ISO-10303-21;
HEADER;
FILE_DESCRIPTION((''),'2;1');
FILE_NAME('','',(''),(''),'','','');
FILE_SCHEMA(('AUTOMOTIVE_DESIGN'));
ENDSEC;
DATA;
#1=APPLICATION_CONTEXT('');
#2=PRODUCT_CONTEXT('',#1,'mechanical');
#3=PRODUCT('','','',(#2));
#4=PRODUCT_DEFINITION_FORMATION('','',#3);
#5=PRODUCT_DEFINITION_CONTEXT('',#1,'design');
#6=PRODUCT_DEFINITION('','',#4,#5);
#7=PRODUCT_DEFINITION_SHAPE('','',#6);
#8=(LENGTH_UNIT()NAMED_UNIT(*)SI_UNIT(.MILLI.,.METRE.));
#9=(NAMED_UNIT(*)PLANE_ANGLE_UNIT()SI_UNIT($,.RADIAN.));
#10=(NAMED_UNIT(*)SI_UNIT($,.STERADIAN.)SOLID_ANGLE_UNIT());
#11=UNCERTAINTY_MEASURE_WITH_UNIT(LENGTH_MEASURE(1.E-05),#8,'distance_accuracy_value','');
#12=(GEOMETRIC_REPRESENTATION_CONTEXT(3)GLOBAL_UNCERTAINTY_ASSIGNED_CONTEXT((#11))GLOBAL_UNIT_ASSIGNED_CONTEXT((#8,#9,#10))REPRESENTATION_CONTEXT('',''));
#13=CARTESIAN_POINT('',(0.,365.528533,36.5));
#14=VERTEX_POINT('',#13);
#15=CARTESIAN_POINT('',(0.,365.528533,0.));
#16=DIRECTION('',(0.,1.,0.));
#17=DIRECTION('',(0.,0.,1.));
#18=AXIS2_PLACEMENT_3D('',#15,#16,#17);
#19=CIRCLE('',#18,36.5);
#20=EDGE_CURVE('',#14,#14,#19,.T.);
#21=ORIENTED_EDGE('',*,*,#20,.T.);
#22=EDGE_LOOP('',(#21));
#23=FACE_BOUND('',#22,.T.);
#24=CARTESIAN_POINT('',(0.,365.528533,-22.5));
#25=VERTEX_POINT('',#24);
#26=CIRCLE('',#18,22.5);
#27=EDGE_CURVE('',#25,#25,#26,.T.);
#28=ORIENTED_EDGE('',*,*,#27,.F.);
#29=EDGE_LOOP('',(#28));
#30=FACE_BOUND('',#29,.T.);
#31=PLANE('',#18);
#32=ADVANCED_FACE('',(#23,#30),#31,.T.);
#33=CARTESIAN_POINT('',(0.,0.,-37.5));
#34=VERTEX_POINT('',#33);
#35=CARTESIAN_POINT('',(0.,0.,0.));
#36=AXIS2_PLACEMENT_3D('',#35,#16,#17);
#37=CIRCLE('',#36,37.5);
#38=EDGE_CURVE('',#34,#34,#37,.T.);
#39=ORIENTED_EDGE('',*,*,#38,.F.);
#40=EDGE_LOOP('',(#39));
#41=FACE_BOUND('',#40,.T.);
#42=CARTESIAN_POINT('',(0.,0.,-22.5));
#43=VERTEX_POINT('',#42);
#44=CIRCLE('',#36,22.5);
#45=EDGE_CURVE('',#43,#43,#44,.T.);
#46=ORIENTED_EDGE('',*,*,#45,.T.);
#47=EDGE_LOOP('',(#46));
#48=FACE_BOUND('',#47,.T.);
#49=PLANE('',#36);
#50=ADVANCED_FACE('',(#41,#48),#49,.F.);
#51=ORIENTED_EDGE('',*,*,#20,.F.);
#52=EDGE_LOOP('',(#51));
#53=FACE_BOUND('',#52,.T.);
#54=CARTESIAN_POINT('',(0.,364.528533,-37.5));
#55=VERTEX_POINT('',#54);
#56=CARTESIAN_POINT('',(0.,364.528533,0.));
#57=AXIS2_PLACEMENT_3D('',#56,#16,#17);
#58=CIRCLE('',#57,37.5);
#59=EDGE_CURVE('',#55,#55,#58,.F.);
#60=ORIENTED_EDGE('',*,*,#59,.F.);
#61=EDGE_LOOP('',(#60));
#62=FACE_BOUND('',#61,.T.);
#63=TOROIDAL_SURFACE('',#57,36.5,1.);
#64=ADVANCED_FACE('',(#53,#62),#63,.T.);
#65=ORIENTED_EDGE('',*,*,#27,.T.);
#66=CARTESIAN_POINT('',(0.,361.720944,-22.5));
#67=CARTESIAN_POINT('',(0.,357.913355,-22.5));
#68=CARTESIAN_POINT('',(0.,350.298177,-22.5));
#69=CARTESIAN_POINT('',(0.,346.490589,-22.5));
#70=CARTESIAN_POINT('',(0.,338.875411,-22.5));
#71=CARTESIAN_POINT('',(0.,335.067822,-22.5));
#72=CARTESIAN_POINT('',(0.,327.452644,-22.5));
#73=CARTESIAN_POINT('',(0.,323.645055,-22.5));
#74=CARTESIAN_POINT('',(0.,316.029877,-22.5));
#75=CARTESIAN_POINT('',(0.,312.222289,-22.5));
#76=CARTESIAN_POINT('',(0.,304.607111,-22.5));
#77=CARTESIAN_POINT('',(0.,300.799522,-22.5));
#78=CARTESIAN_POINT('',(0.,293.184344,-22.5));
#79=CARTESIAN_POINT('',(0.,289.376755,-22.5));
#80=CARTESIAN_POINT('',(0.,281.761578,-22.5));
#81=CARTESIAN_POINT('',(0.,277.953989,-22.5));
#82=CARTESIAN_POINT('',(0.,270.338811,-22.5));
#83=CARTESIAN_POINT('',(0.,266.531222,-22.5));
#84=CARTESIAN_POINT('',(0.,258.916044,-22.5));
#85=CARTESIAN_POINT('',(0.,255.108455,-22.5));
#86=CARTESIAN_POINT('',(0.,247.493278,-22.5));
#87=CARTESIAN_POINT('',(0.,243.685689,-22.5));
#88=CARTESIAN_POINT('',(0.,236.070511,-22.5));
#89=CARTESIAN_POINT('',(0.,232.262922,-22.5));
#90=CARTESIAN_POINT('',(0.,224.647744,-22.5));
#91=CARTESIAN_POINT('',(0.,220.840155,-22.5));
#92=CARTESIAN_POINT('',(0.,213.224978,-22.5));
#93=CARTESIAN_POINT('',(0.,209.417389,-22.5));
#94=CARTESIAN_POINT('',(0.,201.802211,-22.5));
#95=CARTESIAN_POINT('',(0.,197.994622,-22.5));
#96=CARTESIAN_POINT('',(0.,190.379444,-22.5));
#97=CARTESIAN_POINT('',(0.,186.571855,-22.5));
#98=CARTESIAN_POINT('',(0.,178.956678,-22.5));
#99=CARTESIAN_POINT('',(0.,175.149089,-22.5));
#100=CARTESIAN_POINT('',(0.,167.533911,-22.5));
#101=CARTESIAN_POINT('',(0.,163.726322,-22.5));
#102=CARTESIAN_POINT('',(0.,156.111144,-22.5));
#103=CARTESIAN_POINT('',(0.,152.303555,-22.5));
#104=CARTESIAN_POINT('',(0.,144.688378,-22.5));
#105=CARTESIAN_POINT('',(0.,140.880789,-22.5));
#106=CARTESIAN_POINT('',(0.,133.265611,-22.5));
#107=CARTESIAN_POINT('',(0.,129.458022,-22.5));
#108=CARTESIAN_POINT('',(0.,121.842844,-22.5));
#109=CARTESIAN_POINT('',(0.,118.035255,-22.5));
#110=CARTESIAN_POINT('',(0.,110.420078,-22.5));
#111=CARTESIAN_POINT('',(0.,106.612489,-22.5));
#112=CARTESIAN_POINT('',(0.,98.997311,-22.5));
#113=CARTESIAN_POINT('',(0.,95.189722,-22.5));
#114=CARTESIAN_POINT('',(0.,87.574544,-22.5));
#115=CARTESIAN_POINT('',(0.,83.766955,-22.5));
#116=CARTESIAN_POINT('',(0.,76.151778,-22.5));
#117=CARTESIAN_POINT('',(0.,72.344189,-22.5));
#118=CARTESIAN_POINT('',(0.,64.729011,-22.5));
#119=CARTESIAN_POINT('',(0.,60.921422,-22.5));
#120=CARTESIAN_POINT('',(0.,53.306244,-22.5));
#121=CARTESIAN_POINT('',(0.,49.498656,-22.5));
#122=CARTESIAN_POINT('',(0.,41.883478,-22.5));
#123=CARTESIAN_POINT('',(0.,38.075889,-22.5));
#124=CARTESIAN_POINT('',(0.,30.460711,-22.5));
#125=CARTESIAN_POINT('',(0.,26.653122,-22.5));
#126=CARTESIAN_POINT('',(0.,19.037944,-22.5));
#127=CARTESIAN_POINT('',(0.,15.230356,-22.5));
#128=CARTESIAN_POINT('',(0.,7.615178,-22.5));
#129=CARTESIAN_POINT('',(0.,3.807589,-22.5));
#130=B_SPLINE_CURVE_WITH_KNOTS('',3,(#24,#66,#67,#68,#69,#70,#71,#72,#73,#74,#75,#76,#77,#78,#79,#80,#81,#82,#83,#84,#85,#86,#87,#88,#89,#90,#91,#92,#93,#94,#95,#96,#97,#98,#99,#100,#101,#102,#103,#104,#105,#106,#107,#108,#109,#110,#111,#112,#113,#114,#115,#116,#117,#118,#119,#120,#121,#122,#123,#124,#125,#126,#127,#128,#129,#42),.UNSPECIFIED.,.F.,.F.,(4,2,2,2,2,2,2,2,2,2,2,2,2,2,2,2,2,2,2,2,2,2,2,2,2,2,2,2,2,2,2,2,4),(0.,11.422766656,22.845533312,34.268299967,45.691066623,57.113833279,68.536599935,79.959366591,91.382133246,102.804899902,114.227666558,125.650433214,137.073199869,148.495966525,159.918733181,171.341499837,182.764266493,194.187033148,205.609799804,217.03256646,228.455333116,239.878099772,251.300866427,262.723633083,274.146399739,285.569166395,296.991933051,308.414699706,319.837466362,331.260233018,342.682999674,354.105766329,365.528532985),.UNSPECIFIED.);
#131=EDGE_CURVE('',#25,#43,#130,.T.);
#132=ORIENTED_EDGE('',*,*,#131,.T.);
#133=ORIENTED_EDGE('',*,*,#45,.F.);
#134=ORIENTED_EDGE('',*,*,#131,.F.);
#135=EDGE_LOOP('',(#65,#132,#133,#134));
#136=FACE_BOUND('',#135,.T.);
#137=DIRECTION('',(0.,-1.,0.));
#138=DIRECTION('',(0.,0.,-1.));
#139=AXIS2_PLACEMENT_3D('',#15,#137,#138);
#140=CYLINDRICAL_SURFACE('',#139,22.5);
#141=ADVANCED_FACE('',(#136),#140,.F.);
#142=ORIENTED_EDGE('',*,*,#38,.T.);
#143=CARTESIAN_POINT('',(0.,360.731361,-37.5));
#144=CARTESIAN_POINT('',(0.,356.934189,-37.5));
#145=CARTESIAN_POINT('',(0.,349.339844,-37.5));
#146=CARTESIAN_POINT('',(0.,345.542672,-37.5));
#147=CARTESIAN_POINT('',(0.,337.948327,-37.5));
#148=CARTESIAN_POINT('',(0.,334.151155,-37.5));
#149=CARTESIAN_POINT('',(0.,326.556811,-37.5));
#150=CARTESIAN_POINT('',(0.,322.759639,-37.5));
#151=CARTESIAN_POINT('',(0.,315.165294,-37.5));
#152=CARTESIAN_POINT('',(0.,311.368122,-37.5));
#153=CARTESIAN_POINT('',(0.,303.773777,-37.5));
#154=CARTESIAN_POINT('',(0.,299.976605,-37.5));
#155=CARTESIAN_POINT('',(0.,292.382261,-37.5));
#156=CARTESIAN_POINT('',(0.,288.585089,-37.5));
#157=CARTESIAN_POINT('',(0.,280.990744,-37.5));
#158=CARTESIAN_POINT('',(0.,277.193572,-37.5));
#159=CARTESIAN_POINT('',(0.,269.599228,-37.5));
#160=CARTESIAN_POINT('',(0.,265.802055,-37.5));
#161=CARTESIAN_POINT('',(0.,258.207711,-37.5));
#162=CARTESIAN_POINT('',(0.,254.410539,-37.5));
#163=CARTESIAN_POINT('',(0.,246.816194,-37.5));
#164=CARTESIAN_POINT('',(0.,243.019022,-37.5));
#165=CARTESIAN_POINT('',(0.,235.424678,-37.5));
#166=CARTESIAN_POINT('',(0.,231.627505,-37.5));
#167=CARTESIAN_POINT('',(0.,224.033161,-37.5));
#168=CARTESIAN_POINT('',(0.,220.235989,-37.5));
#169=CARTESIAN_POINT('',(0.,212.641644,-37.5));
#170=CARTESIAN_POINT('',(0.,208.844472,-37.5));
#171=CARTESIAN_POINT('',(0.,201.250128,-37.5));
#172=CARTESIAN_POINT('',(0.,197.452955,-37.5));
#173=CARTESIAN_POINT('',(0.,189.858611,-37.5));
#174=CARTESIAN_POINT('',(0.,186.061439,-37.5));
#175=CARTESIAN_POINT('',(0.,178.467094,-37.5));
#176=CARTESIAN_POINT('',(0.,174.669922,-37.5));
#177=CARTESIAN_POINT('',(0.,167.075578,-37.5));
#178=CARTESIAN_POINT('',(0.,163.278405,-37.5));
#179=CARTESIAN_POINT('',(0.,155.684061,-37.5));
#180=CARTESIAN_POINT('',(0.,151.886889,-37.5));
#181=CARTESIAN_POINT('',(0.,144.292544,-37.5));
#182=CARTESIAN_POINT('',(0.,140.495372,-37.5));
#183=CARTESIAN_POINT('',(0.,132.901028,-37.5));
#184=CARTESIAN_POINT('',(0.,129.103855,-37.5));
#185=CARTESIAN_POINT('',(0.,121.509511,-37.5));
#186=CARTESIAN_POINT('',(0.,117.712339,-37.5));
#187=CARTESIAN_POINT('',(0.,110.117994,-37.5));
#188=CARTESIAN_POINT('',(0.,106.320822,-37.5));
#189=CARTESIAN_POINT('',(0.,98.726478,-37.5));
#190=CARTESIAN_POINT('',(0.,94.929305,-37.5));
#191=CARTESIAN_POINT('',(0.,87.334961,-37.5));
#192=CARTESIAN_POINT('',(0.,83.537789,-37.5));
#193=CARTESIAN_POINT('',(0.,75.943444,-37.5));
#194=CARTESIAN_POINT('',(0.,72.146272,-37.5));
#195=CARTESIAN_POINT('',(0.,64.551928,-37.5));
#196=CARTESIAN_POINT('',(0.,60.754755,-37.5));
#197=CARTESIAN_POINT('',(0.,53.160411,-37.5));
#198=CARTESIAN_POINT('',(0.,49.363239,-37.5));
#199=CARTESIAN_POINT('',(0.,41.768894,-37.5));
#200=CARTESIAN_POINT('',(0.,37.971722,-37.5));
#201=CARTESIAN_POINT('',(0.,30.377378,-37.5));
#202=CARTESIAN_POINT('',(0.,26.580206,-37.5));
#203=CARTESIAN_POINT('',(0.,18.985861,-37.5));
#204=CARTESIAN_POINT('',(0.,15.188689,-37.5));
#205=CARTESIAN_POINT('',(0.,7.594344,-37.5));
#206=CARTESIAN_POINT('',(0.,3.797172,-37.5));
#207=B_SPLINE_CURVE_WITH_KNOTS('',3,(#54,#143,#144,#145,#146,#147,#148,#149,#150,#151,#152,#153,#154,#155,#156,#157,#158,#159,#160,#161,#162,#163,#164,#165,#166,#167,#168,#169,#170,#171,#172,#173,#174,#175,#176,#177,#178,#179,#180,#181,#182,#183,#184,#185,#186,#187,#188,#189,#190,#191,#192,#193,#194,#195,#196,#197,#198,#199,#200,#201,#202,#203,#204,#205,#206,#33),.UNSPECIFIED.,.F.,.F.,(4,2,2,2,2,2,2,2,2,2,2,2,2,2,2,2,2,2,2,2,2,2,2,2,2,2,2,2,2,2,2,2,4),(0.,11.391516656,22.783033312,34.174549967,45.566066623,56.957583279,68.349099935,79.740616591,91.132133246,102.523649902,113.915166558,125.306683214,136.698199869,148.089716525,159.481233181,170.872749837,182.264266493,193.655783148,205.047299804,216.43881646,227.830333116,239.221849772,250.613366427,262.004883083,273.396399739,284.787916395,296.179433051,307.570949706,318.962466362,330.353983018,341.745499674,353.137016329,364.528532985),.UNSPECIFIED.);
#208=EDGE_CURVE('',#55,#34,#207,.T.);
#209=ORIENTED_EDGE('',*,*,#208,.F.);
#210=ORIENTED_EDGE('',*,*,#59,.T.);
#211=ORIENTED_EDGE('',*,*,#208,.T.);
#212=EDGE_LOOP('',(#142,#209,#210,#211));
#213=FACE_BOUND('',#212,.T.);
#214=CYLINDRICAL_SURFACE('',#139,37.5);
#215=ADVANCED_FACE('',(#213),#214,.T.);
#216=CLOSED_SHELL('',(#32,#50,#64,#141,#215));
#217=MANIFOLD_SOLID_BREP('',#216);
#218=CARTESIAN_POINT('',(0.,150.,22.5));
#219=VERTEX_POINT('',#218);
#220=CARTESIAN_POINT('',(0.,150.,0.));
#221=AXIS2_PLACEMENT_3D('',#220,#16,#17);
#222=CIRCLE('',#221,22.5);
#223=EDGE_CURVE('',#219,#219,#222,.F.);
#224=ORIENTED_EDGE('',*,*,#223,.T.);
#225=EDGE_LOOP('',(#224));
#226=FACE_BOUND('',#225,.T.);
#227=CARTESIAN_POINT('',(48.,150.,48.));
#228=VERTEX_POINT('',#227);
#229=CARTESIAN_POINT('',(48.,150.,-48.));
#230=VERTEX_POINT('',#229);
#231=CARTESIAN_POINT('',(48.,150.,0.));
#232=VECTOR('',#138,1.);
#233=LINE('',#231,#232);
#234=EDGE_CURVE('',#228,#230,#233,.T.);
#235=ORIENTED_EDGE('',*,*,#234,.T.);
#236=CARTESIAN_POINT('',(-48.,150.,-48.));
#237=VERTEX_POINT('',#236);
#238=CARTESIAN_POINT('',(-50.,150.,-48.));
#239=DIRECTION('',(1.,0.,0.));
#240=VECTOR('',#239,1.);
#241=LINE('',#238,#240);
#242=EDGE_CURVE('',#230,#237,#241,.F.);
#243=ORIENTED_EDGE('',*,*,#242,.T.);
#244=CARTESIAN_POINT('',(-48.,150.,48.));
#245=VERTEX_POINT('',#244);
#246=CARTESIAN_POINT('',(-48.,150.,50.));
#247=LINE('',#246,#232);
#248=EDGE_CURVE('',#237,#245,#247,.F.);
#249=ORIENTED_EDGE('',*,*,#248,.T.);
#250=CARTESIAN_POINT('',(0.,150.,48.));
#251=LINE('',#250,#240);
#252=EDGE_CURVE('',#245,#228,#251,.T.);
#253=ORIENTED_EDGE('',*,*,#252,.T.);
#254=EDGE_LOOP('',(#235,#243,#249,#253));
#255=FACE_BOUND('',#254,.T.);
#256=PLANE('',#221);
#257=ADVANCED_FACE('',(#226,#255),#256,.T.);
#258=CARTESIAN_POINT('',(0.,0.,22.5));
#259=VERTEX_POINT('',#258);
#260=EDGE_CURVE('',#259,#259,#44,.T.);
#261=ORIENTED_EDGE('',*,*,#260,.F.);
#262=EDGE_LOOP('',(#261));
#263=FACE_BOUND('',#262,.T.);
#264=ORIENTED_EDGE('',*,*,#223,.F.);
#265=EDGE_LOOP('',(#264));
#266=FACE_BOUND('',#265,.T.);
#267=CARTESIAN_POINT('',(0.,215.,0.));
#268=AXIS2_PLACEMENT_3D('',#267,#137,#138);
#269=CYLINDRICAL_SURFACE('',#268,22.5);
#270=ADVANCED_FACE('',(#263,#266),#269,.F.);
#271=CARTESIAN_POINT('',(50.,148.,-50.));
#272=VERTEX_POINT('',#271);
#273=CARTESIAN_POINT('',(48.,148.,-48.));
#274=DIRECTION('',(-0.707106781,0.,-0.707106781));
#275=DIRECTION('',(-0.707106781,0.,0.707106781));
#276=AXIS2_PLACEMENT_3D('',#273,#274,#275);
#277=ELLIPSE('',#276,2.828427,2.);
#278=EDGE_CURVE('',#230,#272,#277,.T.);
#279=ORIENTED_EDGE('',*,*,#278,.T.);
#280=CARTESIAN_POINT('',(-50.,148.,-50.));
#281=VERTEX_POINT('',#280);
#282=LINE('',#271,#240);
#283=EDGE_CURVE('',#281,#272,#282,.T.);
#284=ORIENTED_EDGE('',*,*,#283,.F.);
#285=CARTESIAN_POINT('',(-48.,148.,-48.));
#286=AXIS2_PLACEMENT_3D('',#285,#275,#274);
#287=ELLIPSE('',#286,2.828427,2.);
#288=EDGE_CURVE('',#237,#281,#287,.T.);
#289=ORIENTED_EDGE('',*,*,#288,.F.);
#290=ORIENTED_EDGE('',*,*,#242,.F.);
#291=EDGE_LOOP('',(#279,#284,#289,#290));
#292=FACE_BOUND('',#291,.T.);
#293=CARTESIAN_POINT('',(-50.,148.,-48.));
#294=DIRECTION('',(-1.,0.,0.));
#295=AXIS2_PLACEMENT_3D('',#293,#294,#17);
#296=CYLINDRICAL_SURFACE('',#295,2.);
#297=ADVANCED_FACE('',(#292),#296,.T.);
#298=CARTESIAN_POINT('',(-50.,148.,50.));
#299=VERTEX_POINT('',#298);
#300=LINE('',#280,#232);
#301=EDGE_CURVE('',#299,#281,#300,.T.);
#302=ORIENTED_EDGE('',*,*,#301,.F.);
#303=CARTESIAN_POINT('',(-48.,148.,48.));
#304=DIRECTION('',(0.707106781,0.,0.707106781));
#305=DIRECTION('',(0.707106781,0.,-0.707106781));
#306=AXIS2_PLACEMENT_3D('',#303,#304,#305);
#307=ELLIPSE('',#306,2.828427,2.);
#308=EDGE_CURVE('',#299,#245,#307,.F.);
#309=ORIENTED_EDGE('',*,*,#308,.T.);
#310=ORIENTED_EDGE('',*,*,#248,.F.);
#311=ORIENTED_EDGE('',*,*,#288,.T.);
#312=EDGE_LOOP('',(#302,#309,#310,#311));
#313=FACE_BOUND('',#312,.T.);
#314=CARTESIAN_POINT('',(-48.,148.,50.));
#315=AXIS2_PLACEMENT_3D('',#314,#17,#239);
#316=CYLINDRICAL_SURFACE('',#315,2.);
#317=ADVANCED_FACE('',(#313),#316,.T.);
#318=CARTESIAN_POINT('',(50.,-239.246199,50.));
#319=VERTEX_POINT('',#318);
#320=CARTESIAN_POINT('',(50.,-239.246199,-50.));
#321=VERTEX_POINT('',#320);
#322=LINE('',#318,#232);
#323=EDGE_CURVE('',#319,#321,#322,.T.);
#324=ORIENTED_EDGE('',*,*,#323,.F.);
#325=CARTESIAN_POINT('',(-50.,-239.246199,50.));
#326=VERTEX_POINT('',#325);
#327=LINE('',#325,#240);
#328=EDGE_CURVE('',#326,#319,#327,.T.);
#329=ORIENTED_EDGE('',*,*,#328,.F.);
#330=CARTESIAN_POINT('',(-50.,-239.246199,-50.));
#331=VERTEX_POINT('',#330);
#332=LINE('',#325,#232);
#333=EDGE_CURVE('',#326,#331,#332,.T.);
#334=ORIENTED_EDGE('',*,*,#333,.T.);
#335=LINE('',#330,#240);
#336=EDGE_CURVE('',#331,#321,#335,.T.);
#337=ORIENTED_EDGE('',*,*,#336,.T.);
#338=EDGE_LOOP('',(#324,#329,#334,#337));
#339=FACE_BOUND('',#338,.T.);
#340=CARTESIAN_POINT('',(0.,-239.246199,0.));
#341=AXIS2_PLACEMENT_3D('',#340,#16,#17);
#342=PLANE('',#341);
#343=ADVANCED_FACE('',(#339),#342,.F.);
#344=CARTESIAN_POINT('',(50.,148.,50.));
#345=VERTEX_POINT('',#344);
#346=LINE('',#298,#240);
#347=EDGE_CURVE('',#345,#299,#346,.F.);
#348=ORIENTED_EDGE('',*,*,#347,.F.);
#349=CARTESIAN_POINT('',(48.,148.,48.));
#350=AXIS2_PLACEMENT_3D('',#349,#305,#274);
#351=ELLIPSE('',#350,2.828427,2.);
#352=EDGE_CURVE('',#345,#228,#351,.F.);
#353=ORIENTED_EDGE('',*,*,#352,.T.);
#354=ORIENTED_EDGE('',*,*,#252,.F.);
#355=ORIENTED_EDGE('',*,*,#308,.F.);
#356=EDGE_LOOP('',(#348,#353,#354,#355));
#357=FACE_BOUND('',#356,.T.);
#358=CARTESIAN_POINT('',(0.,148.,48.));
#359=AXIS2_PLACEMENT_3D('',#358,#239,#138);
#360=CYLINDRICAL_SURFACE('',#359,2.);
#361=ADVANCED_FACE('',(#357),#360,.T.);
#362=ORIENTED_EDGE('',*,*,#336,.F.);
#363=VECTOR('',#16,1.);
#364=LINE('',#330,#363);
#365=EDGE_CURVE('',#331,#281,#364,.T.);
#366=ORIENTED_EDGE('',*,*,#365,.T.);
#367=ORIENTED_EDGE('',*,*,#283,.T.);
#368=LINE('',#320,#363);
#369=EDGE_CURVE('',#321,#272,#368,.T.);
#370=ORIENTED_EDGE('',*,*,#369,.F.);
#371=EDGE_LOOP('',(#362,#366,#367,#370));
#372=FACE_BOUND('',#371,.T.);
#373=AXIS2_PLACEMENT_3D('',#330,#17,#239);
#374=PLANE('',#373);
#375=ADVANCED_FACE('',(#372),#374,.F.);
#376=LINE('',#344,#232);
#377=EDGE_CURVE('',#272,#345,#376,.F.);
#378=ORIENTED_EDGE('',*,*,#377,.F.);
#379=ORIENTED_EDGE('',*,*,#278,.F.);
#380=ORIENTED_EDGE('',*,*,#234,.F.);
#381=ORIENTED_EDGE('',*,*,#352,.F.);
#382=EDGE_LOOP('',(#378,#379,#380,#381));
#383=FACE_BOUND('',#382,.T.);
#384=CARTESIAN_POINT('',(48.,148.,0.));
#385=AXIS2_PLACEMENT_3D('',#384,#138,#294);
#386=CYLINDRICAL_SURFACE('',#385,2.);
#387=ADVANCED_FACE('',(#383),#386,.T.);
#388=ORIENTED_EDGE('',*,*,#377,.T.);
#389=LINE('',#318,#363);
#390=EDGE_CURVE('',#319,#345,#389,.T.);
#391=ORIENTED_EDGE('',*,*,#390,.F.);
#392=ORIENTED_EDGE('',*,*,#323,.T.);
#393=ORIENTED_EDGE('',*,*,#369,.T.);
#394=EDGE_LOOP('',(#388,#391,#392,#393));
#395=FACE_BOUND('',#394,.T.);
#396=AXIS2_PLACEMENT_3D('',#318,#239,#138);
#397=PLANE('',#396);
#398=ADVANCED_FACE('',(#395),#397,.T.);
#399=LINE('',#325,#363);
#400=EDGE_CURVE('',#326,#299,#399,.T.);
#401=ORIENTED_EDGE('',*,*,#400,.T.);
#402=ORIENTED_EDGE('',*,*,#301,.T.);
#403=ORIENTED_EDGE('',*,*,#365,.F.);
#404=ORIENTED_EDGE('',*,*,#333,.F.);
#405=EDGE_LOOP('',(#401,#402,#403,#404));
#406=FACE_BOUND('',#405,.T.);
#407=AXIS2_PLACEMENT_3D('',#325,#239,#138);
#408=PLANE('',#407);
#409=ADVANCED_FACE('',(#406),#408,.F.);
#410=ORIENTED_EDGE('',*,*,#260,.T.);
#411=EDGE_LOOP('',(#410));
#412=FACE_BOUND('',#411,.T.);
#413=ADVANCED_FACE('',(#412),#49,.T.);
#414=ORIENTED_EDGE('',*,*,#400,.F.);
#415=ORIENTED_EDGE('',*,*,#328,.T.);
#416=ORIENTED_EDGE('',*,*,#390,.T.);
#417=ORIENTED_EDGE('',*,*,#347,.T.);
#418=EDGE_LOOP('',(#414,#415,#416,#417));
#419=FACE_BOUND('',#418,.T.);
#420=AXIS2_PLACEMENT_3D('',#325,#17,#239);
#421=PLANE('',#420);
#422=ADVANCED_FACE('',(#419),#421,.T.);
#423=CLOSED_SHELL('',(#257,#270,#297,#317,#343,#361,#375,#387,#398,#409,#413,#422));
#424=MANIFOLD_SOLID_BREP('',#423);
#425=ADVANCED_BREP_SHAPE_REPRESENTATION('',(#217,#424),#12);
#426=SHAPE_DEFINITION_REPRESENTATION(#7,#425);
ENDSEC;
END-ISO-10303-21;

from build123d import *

# Parameters (mm, degrees)
BOSS_EXTRUDE2_DEPTH      = 150
BOSS_EXTRUDE2_DEPTH_BACK = 239.246198725
SKETCH1_W                = 100
SKETCH1_H                = 100
SKETCH1_4_R              = 37.5
SKETCH1_4_R_2            = 22.5
BOSS_EXTRUDE3_DEPTH      = 365.528532985
SKETCH1_5_R              = 22.5
CUT_EXTRUDE1_DEPTH       = 215
FILLET2_R                = 2
FILLET3_R                = 1


with BuildPart() as part:
    # Sketch1 → Boss-Extrude2 (new, two sides: drawn at the far end of the back side and taken through both)
    with BuildSketch(Plane(origin=(0, 0, 0), x_dir=(1, 0, 0), z_dir=(0, 1, 0)).offset(-BOSS_EXTRUDE2_DEPTH_BACK)):
        Rectangle(SKETCH1_W, SKETCH1_H)
    extrude(amount=BOSS_EXTRUDE2_DEPTH + BOSS_EXTRUDE2_DEPTH_BACK)

    # Sketch1<5> → Cut-Extrude1 (cut)
    with BuildSketch(Plane(origin=(0, 0, 0), x_dir=(1, 0, 0), z_dir=(0, 1, 0))):
        Circle(SKETCH1_5_R)
    extrude(amount=CUT_EXTRUDE1_DEPTH, mode=Mode.SUBTRACT)

    # Fillet2
    fillet2_edges = [part.edges().sort_by_distance(p)[0] for p in [
        (-50, 150, 0),
        (0, 150, 50),
        (50, 150, 0),
        (0, 150, -50),
    ]]
    fillet(fillet2_edges, radius=FILLET2_R)


with BuildPart() as body_2:
    # Sketch1<4> → Boss-Extrude3 (new body)
    with BuildSketch(Plane(origin=(0, 0, 0), x_dir=(1, 0, 0), z_dir=(0, 1, 0))):
        Circle(SKETCH1_4_R)
        Circle(SKETCH1_4_R_2, mode=Mode.SUBTRACT)
    extrude(amount=BOSS_EXTRUDE3_DEPTH)

    # Fillet3
    fillet3_edges = [body_2.edges().sort_by_distance(p)[0] for p in [
        (-37.5, 365.528532985, 0),
    ]]
    fillet(fillet3_edges, radius=FILLET3_R)


solid = Compound([part.part, body_2.part])
